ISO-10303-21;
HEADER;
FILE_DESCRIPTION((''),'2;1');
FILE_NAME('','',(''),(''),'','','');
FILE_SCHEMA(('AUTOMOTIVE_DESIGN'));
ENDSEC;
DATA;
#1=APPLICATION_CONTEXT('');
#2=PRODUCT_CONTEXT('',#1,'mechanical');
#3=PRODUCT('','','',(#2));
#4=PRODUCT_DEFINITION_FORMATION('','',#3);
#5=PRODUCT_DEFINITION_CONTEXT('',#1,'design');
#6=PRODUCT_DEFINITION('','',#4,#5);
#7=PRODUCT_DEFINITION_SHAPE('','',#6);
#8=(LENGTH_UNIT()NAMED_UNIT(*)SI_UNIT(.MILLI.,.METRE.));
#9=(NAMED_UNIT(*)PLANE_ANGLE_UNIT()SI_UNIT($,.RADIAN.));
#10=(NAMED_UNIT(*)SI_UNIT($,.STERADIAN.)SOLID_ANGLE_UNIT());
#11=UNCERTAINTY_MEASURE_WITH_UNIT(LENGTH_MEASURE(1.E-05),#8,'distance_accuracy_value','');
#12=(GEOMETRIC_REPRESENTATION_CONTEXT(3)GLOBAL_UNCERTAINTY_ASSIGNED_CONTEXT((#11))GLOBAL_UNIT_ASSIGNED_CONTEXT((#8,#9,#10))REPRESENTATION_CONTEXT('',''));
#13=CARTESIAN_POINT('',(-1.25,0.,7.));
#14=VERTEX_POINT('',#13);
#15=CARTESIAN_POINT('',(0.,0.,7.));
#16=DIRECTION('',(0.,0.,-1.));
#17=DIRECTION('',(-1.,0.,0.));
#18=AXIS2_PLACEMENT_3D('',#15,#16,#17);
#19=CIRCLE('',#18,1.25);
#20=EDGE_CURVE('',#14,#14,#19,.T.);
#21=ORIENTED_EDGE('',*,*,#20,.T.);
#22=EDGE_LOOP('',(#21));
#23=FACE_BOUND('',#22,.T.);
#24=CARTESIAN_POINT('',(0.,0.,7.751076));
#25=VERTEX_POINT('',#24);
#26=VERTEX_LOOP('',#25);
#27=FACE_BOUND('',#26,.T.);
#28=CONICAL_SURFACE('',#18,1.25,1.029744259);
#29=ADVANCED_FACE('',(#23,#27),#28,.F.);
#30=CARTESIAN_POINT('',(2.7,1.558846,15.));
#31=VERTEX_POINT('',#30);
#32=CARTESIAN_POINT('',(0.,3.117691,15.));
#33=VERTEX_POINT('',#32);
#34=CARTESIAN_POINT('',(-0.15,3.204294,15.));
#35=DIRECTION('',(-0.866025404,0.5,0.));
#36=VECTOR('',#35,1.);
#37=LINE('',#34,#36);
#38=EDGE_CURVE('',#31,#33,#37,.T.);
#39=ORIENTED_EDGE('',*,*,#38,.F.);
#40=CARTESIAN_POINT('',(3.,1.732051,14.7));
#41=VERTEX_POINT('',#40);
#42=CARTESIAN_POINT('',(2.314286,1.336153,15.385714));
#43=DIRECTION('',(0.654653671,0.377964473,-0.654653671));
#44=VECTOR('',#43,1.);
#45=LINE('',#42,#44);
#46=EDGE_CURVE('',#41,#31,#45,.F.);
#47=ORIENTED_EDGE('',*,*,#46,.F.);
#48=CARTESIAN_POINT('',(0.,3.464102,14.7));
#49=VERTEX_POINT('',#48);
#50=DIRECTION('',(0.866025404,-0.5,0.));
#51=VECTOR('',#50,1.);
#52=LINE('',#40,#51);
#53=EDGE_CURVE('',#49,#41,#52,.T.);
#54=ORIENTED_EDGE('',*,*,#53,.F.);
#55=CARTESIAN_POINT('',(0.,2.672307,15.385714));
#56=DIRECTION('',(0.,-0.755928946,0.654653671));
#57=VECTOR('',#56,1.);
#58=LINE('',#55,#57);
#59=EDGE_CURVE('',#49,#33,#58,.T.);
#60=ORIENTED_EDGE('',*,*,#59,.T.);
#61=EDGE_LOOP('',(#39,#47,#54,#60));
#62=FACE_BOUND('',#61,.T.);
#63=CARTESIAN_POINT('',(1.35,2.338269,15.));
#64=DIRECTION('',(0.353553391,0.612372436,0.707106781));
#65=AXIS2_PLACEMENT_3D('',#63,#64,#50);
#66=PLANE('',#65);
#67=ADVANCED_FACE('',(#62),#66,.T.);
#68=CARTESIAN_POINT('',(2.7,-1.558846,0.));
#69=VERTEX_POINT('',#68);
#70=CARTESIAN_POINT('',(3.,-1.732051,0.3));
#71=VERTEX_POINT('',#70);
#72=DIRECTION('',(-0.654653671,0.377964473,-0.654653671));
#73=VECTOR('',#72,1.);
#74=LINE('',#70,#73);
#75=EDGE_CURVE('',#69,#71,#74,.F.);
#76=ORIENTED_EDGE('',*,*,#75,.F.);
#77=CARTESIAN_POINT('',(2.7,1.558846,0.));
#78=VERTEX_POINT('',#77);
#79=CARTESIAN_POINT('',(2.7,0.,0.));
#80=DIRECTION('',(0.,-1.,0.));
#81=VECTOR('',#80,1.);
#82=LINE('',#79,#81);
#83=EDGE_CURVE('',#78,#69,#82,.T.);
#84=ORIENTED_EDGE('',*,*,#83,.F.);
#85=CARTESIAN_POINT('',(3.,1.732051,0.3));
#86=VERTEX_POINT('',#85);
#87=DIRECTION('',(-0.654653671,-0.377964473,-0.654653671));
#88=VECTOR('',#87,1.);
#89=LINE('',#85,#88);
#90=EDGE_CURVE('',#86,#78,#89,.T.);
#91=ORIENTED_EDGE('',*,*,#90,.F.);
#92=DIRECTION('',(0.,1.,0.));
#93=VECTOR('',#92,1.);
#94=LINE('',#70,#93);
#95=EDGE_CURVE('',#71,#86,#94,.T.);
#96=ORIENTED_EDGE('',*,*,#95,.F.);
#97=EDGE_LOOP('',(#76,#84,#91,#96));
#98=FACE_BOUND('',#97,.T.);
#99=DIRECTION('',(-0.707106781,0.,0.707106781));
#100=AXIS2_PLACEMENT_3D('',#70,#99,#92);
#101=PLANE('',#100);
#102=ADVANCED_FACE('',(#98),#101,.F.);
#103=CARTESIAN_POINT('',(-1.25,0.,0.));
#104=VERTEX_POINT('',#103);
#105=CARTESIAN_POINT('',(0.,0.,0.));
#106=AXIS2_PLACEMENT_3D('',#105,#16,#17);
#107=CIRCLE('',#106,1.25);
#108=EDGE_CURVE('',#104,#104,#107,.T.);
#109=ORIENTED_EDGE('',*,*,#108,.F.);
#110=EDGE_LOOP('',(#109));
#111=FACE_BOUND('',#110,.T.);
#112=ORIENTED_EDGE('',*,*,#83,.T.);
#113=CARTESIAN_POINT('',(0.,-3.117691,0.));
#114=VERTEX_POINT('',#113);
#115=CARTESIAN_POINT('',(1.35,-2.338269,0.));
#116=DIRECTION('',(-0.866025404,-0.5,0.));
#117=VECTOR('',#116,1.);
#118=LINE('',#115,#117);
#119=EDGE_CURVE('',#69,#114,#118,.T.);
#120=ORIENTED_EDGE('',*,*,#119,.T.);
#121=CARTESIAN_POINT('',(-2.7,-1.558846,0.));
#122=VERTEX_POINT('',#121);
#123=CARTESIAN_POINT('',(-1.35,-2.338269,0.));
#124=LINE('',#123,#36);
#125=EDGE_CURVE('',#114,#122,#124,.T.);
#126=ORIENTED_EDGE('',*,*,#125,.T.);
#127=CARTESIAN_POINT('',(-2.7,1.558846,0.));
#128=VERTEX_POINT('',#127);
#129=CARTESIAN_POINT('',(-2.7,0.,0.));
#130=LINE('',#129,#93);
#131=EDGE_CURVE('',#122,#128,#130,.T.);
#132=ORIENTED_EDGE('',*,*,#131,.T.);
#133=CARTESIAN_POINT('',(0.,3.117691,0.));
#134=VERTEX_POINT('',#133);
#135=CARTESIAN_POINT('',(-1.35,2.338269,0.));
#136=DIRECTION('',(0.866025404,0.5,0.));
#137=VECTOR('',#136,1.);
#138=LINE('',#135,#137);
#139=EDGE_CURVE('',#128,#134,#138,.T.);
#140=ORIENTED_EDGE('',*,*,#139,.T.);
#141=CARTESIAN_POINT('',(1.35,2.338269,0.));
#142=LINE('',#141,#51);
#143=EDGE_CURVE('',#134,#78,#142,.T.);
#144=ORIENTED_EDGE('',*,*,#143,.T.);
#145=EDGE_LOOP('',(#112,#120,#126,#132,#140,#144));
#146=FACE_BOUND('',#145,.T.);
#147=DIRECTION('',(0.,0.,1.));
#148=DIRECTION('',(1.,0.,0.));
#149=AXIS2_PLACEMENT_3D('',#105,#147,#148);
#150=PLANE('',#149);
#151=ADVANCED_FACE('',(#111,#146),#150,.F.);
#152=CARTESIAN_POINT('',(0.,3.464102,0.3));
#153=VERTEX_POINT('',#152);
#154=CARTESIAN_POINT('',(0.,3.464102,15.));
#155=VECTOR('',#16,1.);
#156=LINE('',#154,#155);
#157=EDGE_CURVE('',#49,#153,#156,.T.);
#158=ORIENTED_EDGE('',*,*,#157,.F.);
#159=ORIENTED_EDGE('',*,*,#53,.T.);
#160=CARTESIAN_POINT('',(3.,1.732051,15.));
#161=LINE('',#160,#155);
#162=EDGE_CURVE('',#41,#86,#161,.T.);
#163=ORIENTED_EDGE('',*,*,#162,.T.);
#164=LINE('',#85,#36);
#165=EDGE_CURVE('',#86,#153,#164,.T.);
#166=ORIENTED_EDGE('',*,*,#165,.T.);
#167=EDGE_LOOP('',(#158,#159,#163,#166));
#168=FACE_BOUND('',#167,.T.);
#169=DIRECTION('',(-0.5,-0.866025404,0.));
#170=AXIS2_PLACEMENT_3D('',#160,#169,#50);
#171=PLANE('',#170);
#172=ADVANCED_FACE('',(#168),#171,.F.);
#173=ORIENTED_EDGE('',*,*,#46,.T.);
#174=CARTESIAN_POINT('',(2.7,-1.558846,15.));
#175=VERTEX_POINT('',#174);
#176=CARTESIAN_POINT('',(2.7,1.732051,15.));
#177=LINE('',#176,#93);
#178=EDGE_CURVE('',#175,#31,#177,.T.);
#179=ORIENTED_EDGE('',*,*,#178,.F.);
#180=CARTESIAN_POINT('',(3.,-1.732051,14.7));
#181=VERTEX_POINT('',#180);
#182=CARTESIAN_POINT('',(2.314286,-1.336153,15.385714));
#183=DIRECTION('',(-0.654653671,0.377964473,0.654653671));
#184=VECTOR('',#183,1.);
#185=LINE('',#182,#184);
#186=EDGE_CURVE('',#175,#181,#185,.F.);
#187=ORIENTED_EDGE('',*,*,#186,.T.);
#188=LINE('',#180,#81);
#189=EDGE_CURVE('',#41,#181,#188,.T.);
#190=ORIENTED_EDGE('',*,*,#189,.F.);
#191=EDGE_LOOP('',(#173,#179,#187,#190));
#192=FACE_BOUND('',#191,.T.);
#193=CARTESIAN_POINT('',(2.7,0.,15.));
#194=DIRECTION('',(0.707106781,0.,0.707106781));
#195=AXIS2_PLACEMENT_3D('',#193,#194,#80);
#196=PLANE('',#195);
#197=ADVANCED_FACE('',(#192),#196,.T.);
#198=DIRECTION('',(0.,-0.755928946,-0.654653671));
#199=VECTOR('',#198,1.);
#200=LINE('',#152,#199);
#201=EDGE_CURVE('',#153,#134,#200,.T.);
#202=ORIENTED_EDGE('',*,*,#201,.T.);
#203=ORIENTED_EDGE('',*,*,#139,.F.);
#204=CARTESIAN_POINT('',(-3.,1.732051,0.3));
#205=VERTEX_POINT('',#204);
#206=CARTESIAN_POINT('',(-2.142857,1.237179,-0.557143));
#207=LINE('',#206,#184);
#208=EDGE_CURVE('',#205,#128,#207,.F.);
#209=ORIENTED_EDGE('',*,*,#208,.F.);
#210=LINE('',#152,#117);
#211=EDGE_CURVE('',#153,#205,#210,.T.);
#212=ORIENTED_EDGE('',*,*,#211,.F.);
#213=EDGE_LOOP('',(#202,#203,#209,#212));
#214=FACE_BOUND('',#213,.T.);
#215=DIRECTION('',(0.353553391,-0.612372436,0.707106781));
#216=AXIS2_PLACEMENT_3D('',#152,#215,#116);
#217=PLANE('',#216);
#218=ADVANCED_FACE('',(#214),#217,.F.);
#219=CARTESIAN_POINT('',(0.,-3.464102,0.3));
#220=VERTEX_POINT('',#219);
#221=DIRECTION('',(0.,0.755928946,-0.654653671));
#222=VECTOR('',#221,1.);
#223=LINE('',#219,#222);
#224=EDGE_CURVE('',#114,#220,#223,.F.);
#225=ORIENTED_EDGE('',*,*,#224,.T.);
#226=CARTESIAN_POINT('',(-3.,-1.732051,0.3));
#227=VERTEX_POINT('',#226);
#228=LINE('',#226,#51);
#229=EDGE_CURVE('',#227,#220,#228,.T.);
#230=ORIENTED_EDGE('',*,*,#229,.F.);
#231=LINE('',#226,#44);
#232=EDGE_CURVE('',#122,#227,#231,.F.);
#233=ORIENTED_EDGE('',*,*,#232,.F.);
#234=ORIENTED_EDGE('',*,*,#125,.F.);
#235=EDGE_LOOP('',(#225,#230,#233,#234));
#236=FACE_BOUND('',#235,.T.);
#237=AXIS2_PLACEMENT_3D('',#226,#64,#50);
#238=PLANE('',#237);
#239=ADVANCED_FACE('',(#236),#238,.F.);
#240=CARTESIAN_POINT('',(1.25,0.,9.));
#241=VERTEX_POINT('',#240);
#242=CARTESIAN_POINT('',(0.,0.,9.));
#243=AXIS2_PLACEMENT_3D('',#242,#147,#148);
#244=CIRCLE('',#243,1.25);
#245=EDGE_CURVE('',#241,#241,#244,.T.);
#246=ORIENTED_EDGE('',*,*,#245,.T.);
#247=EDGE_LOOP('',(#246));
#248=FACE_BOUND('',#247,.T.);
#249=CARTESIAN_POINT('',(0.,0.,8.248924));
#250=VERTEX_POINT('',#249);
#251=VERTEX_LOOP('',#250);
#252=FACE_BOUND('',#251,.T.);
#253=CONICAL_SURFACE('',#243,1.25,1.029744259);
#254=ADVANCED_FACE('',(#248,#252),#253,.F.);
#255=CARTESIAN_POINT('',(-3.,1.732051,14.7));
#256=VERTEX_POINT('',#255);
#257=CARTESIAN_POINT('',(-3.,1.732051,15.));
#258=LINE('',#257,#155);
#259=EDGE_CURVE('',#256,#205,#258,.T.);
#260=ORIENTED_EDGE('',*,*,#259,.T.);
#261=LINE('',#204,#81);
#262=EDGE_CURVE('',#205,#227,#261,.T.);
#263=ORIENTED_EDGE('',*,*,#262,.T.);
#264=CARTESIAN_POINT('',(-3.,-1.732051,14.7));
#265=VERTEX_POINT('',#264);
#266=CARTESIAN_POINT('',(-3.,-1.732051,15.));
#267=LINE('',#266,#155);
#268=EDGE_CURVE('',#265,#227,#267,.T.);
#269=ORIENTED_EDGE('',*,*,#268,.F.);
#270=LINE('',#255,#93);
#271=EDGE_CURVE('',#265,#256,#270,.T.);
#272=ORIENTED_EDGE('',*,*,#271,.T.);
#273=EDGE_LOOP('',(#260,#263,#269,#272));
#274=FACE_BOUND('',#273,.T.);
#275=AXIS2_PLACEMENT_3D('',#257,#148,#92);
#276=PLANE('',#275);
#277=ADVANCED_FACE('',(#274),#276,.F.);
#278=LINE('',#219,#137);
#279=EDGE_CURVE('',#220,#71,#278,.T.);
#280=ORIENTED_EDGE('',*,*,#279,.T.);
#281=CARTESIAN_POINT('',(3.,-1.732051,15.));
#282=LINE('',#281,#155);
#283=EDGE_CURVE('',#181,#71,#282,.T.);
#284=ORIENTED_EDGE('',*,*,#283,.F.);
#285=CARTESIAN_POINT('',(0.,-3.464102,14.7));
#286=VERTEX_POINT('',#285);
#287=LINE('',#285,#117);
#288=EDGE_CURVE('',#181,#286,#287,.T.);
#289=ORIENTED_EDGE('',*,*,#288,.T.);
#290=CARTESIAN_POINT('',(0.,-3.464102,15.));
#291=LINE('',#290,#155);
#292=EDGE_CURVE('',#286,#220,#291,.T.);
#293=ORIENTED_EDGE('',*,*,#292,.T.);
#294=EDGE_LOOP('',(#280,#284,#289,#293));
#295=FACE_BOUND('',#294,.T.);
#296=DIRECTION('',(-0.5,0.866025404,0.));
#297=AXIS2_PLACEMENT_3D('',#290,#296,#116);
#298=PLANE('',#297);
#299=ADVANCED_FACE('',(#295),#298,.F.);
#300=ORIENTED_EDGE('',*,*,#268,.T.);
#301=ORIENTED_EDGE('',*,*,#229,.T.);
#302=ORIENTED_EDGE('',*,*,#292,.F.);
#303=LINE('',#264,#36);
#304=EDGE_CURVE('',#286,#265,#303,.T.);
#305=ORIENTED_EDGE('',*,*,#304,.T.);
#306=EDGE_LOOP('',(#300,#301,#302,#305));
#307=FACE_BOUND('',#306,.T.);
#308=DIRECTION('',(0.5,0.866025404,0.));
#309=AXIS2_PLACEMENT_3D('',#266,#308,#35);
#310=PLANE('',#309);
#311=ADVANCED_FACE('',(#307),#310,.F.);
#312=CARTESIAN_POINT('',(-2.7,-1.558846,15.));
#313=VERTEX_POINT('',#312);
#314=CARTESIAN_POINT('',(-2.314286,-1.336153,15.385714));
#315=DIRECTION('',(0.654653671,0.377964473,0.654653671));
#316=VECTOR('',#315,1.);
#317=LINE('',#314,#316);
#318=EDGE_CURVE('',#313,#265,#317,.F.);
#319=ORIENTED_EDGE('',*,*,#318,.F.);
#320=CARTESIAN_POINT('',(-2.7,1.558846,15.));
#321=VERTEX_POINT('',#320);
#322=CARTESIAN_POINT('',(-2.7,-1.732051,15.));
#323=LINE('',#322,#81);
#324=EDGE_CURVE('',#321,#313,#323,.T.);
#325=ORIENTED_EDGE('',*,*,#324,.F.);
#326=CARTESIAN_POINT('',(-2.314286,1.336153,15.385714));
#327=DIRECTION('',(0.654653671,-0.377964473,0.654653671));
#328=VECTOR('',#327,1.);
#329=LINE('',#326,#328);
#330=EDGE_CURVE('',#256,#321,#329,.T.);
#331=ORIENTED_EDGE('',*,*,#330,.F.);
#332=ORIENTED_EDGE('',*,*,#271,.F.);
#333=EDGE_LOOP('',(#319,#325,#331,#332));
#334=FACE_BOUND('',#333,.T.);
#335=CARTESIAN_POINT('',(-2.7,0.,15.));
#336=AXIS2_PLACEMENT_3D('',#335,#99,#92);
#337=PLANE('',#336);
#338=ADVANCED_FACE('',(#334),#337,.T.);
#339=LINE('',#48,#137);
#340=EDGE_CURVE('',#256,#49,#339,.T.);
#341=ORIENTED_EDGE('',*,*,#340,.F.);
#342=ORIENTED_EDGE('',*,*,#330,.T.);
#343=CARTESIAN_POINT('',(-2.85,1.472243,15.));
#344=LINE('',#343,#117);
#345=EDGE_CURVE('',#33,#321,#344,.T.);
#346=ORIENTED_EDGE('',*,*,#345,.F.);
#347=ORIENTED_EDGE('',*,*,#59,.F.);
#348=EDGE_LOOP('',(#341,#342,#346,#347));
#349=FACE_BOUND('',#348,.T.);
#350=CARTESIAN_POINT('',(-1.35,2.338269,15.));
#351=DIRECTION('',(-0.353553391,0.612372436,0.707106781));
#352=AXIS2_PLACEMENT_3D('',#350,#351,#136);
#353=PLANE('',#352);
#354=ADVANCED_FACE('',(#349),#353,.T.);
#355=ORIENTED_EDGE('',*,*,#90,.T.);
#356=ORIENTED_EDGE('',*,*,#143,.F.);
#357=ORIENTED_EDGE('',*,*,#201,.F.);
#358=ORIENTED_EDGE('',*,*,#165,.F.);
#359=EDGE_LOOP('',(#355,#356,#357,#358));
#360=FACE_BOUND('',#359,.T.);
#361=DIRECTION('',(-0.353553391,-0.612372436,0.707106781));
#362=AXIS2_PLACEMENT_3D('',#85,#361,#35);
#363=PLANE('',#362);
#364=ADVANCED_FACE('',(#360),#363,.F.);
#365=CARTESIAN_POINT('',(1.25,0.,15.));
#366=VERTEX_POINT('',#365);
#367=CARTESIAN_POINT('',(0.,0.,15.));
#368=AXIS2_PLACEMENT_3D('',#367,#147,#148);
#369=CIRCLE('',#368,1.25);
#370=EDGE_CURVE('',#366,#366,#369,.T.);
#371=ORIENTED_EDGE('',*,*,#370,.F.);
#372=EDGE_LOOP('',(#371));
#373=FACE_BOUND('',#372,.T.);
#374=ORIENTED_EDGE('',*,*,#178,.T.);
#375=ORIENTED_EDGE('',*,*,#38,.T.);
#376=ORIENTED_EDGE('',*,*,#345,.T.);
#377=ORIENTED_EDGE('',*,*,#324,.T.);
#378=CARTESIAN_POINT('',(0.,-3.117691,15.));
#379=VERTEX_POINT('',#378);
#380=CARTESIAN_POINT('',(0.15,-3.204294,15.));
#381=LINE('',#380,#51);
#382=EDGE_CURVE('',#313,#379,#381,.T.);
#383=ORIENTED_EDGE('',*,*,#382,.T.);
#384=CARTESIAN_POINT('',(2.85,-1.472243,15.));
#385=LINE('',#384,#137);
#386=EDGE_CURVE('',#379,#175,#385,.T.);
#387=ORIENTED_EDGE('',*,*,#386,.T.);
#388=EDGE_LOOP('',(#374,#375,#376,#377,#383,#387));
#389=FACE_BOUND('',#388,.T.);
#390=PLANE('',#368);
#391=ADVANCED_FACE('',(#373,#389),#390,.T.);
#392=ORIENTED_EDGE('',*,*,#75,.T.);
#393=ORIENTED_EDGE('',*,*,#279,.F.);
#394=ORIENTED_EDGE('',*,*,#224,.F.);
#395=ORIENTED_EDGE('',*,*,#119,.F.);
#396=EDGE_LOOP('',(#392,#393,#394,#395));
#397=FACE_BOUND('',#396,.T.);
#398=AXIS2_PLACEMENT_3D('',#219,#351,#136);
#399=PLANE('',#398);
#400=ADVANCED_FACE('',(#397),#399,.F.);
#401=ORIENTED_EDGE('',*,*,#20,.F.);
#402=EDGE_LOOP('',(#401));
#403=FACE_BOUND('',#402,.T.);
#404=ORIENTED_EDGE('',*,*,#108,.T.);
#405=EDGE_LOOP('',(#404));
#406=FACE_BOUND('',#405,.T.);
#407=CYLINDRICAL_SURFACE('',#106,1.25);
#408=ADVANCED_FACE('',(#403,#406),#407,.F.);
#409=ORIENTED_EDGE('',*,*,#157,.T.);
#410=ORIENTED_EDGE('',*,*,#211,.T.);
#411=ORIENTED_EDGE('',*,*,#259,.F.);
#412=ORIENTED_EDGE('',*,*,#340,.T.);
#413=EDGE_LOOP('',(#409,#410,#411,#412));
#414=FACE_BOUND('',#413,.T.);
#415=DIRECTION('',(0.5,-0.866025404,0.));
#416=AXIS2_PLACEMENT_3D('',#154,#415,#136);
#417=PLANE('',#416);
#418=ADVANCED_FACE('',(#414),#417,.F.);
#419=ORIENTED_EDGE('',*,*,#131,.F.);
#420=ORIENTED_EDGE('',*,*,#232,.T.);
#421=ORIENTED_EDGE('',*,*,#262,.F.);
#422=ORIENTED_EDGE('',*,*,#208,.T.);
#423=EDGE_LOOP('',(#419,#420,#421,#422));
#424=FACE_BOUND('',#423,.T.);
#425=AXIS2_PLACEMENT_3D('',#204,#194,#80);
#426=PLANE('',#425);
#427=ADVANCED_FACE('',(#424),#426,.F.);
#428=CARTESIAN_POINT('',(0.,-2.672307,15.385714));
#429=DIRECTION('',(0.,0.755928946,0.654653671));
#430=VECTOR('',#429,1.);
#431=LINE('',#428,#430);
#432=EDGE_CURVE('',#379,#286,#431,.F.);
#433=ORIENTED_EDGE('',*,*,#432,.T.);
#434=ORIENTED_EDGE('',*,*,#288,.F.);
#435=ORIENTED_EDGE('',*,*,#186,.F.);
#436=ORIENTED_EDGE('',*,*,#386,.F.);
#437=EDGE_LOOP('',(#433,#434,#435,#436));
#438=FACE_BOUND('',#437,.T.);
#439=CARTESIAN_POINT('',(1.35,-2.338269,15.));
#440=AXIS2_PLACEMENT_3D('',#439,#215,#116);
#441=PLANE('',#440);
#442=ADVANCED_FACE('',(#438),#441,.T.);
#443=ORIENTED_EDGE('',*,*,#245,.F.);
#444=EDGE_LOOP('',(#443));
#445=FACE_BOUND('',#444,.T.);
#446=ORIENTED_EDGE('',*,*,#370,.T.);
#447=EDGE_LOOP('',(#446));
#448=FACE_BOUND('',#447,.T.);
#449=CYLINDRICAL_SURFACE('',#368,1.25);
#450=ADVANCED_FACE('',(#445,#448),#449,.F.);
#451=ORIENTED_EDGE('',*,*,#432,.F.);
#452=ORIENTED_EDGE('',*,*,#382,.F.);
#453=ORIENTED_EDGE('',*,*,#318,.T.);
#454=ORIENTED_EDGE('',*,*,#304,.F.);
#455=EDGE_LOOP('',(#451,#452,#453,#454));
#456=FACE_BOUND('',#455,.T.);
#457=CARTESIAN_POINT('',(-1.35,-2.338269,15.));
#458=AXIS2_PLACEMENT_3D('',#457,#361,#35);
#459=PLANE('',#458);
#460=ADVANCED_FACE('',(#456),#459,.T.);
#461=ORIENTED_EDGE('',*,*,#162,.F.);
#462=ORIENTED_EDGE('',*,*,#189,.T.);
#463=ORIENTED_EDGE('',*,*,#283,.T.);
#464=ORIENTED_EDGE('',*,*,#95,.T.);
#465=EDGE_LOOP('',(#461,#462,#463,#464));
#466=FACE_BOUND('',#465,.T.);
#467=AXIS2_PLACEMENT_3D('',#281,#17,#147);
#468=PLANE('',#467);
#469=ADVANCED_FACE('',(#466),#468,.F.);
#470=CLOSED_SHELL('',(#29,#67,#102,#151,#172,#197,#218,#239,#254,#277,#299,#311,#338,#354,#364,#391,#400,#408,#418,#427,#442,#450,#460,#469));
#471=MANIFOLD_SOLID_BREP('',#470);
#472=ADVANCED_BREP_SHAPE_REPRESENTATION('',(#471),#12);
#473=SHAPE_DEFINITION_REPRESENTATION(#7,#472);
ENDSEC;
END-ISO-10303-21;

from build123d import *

# Parameters (mm, degrees)
BOSS_EXTRUDE1_DEPTH   = 15
M3_TAPPED_HOLE1_D     = 2.5
M3_TAPPED_HOLE1_DEPTH = 6
M3_TAPPED_HOLE1_TIP   = 0.751075774
M3_TAPPED_HOLE2_D     = 2.5
M3_TAPPED_HOLE2_DEPTH = 7
M3_TAPPED_HOLE2_TIP   = 0.751075774
CHAMFER1_SIZE         = 0.3


with BuildPart() as part:
    # Sketch1 → Boss-Extrude1 (new body)
    with BuildSketch(Plane.XY):
        Polygon((0, 3.464101615), (-3, 1.732050808), (-3, -1.732050808), (0, -3.464101615), (3, -1.732050808), (3, 1.732050808), align=None)
    extrude(amount=BOSS_EXTRUDE1_DEPTH)

    # M3 Tapped Hole1
    with Locations(Plane.XY.offset(15)):
        with Locations((0, 0)):
            Hole(M3_TAPPED_HOLE1_D / 2, depth=M3_TAPPED_HOLE1_DEPTH)
            with Locations((0, 0, -(M3_TAPPED_HOLE1_DEPTH + M3_TAPPED_HOLE1_TIP / 2))):  # 118° drill point
                Cone(0, M3_TAPPED_HOLE1_D / 2, M3_TAPPED_HOLE1_TIP, mode=Mode.SUBTRACT)

    # M3 Tapped Hole2
    with Locations(Plane(origin=(0, 0, 0), x_dir=(-1, 0, 0), z_dir=(0, 0, -1))):
        with Locations((0, 0)):
            Hole(M3_TAPPED_HOLE2_D / 2, depth=M3_TAPPED_HOLE2_DEPTH)
            with Locations((0, 0, -(M3_TAPPED_HOLE2_DEPTH + M3_TAPPED_HOLE2_TIP / 2))):  # 118° drill point
                Cone(0, M3_TAPPED_HOLE2_D / 2, M3_TAPPED_HOLE2_TIP, mode=Mode.SUBTRACT)

    # Chamfer1
    chamfer1_edges = [part.edges().sort_by_distance(p)[0] for p in [
        (-3, 0, 15),
        (-1.5, -2.598076211, 15),
        (1.5, -2.598076211, 15),
        (3, 0, 15),
        (1.5, 2.598076211, 15),
        (3, 0, 0),
        (1.5, -2.598076211, 0),
        (-1.5, -2.598076211, 0),
        (-1.5, 2.598076211, 15),
        (-3, 0, 0),
        (-1.5, 2.598076211, 0),
        (1.5, 2.598076211, 0),
    ]]
    chamfer(chamfer1_edges, length=CHAMFER1_SIZE)


solid = part.part
